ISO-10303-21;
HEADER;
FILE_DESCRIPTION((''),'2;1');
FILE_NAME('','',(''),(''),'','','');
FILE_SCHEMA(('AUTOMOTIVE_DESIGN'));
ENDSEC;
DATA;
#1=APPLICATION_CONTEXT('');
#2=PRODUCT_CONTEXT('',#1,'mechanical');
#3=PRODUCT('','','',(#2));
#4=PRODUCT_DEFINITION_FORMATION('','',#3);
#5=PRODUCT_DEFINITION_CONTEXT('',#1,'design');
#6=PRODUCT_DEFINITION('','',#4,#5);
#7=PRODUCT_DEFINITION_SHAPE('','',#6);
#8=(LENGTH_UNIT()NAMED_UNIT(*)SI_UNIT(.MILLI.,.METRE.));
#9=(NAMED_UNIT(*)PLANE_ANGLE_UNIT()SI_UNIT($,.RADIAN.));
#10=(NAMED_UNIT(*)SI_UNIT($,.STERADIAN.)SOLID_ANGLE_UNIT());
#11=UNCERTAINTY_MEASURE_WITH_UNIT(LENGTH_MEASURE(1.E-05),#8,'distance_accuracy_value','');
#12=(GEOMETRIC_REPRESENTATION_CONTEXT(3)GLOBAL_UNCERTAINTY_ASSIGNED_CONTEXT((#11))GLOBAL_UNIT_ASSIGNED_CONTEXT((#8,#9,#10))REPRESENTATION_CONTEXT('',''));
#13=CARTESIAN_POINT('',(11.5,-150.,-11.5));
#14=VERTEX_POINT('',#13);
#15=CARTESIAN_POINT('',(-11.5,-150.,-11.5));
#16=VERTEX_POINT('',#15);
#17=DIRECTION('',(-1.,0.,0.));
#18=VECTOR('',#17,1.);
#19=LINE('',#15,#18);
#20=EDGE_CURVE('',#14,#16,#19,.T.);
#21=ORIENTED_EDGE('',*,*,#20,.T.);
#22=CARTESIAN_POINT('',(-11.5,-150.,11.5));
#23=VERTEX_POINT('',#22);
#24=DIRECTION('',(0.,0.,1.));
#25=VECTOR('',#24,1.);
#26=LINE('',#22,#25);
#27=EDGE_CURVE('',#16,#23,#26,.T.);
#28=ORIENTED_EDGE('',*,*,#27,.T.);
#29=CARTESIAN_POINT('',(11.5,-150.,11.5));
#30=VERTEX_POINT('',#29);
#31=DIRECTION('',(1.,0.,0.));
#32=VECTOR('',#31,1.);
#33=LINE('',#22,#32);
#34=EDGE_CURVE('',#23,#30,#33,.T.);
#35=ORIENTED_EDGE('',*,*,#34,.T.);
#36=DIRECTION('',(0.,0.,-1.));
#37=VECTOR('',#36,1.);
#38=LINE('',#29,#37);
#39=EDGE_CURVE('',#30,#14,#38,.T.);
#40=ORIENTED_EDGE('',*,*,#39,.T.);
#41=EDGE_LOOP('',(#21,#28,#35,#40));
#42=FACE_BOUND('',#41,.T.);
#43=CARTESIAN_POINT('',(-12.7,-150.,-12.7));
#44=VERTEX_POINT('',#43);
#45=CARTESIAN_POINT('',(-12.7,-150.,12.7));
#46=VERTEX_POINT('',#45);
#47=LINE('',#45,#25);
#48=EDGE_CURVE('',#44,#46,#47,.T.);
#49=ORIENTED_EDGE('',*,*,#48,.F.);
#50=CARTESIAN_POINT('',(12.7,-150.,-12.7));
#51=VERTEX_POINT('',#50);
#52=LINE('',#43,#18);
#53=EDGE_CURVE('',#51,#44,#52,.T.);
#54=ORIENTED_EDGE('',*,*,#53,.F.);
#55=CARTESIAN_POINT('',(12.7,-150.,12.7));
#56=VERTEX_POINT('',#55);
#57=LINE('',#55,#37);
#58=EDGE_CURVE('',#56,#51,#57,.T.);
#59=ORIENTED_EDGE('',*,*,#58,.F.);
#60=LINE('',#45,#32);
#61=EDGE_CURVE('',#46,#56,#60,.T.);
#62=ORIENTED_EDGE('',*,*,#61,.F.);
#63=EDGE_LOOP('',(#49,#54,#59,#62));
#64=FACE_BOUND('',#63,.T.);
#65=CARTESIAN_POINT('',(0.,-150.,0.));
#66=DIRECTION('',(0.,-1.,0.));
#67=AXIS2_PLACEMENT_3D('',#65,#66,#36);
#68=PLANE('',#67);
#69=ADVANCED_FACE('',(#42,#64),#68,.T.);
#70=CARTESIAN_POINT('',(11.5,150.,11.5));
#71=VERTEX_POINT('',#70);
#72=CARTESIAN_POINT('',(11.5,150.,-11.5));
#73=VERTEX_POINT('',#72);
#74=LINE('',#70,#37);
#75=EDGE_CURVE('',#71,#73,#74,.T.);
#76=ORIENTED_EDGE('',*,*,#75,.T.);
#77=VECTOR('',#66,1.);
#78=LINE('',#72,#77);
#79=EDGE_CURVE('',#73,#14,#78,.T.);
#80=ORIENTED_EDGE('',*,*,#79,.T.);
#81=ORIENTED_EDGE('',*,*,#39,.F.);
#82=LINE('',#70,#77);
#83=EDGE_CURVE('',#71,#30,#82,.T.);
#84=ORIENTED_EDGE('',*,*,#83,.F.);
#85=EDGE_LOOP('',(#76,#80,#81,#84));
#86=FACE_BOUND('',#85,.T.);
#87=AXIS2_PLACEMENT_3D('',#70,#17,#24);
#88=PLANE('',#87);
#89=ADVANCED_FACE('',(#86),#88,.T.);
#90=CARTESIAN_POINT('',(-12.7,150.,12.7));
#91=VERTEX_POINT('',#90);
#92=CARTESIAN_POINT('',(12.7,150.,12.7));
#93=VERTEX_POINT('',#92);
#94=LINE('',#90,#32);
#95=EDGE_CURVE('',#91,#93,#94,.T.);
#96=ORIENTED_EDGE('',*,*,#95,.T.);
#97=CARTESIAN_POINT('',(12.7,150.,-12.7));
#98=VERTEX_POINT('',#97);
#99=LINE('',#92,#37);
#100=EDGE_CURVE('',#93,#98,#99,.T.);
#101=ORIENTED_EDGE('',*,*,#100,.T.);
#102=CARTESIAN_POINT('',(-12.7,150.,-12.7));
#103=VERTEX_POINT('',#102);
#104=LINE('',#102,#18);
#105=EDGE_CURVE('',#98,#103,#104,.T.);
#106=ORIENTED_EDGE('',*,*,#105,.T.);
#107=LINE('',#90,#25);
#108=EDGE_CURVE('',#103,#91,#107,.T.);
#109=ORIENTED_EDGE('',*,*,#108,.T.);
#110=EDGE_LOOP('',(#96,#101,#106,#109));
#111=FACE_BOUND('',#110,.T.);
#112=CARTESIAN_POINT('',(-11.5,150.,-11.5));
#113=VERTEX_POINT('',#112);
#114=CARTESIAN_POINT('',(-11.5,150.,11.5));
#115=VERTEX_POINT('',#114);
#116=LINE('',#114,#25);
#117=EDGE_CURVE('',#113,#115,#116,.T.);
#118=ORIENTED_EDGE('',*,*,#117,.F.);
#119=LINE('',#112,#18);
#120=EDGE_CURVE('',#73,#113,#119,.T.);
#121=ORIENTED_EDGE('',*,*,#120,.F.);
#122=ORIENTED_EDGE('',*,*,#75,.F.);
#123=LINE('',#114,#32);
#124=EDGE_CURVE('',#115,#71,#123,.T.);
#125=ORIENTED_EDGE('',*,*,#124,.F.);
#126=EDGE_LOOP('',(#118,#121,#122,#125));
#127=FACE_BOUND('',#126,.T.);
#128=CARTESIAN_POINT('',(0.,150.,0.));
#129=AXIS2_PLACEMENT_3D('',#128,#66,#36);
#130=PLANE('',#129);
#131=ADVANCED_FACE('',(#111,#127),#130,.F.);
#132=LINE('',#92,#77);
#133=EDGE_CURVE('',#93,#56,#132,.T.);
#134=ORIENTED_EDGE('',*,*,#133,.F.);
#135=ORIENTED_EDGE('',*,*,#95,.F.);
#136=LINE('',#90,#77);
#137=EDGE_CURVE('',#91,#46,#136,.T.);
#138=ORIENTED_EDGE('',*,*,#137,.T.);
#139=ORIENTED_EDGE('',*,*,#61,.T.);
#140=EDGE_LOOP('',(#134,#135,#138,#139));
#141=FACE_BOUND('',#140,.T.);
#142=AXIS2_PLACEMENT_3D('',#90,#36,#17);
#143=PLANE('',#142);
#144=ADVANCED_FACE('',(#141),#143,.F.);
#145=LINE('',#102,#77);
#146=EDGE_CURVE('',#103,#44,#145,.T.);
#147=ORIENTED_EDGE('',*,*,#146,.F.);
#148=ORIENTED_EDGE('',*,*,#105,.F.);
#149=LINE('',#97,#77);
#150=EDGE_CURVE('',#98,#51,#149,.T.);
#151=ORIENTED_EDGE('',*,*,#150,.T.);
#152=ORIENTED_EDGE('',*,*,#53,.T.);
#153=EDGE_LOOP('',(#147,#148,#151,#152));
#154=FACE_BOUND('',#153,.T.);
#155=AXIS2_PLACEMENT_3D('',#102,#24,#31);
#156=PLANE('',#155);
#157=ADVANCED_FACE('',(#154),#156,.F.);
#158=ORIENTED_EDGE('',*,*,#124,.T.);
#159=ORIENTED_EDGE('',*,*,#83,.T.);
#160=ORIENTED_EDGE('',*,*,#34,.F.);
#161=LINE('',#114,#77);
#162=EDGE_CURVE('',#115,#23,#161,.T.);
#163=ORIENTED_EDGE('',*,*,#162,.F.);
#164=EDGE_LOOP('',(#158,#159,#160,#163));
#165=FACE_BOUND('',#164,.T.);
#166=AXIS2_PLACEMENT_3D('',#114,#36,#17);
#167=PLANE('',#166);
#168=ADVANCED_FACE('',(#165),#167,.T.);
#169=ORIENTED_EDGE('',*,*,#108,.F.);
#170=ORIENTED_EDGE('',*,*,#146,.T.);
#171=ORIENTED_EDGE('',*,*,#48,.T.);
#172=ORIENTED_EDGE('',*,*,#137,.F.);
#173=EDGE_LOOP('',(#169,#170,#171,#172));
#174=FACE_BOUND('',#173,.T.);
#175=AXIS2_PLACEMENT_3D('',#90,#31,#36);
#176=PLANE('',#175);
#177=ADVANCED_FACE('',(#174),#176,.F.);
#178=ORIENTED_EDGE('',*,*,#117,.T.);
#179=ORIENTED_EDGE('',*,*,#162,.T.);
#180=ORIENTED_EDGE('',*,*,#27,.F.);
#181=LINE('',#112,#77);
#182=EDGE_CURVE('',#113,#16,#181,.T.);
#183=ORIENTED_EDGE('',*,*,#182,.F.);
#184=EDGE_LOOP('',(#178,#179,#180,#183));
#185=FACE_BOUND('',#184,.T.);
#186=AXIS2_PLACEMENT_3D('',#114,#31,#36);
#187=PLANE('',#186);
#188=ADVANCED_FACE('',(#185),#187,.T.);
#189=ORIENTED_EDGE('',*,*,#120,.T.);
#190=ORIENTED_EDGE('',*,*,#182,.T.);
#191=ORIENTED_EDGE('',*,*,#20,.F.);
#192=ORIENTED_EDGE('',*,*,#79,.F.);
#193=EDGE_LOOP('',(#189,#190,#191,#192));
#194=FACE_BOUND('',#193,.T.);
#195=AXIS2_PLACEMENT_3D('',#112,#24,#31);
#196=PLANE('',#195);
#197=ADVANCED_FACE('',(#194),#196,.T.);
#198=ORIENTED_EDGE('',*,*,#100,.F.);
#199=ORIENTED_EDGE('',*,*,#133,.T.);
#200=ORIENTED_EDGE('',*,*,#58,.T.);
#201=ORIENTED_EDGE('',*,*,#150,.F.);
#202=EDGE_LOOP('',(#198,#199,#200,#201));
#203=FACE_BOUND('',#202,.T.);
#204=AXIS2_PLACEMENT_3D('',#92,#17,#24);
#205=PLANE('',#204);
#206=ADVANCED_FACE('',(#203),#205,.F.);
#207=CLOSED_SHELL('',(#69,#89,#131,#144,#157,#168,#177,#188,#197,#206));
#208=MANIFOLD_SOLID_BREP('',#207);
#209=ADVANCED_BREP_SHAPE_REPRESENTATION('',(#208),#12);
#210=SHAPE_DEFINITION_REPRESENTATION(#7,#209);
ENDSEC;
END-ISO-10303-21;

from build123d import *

# Parameters (mm, degrees)
SKETCH2_W           = 25.4
SKETCH2_H           = 25.4
SKETCH2_W_2         = 23
SKETCH2_H_2         = 23
BOSS_EXTRUDE1_DEPTH = 150


with BuildPart() as part:
    # Sketch2 → Boss-Extrude1 (new, symmetric)
    with BuildSketch(Plane(origin=(0, 0, 0), x_dir=(1, 0, 0), z_dir=(0, 1, 0))):
        Rectangle(SKETCH2_W, SKETCH2_H)
        Rectangle(SKETCH2_W_2, SKETCH2_H_2, mode=Mode.SUBTRACT)
    extrude(amount=BOSS_EXTRUDE1_DEPTH, both=True)


solid = part.part
